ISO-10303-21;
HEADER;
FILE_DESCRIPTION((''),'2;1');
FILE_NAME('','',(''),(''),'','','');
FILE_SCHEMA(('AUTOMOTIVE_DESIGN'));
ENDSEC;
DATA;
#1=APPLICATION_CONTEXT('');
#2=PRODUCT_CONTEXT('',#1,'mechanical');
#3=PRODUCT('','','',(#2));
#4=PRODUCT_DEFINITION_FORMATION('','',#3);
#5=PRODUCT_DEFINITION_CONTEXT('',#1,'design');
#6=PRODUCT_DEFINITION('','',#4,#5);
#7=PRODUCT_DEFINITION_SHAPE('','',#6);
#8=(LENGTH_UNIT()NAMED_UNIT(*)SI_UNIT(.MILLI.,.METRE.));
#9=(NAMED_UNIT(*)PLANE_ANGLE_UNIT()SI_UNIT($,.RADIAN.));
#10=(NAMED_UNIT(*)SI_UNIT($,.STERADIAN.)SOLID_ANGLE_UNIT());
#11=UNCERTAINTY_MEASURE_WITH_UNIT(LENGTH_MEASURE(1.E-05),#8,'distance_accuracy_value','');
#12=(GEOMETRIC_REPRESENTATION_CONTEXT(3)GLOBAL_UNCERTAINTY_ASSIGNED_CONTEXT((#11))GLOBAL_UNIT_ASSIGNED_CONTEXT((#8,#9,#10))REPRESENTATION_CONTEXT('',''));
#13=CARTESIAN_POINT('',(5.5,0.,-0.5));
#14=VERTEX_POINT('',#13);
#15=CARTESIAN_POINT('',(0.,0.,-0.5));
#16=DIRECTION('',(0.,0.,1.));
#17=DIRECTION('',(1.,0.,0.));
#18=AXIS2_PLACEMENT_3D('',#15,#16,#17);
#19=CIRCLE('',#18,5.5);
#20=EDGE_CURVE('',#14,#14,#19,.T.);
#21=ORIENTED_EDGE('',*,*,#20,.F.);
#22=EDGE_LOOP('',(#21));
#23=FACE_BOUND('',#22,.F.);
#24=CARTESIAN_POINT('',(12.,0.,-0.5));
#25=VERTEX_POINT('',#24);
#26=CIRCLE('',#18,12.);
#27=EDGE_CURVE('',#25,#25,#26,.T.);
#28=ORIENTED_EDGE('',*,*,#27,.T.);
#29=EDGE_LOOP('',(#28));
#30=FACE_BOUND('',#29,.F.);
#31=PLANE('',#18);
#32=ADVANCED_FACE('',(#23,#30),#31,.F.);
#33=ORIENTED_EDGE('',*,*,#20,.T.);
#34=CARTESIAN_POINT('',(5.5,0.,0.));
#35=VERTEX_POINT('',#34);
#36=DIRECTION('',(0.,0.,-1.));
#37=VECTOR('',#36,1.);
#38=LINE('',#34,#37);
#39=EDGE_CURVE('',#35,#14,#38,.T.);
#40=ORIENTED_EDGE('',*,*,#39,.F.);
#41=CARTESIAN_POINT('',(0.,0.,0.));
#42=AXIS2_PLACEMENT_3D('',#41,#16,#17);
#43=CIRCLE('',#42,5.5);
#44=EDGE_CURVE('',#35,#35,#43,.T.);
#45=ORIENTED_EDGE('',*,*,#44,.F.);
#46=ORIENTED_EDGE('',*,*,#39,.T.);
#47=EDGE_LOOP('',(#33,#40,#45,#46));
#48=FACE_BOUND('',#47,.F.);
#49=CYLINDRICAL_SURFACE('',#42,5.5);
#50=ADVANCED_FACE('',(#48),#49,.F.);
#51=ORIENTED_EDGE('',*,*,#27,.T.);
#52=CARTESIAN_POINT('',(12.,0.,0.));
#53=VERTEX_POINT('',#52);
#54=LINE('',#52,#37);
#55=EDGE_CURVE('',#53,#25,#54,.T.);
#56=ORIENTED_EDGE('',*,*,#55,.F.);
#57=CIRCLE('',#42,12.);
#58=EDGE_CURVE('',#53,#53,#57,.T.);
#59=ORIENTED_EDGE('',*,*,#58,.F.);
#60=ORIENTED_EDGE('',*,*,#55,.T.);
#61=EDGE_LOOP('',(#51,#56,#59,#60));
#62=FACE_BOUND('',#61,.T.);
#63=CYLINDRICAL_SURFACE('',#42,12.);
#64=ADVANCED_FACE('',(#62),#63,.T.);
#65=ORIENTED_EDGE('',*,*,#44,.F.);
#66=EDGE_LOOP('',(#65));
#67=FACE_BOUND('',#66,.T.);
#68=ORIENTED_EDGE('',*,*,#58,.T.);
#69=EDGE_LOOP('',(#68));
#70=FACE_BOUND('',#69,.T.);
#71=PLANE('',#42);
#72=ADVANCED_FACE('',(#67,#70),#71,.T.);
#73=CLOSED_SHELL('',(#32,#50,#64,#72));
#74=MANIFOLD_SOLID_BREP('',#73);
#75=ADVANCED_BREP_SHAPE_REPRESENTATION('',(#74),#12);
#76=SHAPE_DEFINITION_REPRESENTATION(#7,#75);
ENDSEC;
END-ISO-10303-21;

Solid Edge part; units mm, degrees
sketch "Sketch1" plane through (0, 0, 0) normal (0, 0, 1) x (1, 0, 0)
  circle A0 centre (0, 0) radius 5.5
  circle A1 centre (0, 0) radius 12
  dimension "D1" = 11
  dimension "D2" = 24
extrude "Protrusion1" add sketch "Sketch1" against normal blind 0.5
